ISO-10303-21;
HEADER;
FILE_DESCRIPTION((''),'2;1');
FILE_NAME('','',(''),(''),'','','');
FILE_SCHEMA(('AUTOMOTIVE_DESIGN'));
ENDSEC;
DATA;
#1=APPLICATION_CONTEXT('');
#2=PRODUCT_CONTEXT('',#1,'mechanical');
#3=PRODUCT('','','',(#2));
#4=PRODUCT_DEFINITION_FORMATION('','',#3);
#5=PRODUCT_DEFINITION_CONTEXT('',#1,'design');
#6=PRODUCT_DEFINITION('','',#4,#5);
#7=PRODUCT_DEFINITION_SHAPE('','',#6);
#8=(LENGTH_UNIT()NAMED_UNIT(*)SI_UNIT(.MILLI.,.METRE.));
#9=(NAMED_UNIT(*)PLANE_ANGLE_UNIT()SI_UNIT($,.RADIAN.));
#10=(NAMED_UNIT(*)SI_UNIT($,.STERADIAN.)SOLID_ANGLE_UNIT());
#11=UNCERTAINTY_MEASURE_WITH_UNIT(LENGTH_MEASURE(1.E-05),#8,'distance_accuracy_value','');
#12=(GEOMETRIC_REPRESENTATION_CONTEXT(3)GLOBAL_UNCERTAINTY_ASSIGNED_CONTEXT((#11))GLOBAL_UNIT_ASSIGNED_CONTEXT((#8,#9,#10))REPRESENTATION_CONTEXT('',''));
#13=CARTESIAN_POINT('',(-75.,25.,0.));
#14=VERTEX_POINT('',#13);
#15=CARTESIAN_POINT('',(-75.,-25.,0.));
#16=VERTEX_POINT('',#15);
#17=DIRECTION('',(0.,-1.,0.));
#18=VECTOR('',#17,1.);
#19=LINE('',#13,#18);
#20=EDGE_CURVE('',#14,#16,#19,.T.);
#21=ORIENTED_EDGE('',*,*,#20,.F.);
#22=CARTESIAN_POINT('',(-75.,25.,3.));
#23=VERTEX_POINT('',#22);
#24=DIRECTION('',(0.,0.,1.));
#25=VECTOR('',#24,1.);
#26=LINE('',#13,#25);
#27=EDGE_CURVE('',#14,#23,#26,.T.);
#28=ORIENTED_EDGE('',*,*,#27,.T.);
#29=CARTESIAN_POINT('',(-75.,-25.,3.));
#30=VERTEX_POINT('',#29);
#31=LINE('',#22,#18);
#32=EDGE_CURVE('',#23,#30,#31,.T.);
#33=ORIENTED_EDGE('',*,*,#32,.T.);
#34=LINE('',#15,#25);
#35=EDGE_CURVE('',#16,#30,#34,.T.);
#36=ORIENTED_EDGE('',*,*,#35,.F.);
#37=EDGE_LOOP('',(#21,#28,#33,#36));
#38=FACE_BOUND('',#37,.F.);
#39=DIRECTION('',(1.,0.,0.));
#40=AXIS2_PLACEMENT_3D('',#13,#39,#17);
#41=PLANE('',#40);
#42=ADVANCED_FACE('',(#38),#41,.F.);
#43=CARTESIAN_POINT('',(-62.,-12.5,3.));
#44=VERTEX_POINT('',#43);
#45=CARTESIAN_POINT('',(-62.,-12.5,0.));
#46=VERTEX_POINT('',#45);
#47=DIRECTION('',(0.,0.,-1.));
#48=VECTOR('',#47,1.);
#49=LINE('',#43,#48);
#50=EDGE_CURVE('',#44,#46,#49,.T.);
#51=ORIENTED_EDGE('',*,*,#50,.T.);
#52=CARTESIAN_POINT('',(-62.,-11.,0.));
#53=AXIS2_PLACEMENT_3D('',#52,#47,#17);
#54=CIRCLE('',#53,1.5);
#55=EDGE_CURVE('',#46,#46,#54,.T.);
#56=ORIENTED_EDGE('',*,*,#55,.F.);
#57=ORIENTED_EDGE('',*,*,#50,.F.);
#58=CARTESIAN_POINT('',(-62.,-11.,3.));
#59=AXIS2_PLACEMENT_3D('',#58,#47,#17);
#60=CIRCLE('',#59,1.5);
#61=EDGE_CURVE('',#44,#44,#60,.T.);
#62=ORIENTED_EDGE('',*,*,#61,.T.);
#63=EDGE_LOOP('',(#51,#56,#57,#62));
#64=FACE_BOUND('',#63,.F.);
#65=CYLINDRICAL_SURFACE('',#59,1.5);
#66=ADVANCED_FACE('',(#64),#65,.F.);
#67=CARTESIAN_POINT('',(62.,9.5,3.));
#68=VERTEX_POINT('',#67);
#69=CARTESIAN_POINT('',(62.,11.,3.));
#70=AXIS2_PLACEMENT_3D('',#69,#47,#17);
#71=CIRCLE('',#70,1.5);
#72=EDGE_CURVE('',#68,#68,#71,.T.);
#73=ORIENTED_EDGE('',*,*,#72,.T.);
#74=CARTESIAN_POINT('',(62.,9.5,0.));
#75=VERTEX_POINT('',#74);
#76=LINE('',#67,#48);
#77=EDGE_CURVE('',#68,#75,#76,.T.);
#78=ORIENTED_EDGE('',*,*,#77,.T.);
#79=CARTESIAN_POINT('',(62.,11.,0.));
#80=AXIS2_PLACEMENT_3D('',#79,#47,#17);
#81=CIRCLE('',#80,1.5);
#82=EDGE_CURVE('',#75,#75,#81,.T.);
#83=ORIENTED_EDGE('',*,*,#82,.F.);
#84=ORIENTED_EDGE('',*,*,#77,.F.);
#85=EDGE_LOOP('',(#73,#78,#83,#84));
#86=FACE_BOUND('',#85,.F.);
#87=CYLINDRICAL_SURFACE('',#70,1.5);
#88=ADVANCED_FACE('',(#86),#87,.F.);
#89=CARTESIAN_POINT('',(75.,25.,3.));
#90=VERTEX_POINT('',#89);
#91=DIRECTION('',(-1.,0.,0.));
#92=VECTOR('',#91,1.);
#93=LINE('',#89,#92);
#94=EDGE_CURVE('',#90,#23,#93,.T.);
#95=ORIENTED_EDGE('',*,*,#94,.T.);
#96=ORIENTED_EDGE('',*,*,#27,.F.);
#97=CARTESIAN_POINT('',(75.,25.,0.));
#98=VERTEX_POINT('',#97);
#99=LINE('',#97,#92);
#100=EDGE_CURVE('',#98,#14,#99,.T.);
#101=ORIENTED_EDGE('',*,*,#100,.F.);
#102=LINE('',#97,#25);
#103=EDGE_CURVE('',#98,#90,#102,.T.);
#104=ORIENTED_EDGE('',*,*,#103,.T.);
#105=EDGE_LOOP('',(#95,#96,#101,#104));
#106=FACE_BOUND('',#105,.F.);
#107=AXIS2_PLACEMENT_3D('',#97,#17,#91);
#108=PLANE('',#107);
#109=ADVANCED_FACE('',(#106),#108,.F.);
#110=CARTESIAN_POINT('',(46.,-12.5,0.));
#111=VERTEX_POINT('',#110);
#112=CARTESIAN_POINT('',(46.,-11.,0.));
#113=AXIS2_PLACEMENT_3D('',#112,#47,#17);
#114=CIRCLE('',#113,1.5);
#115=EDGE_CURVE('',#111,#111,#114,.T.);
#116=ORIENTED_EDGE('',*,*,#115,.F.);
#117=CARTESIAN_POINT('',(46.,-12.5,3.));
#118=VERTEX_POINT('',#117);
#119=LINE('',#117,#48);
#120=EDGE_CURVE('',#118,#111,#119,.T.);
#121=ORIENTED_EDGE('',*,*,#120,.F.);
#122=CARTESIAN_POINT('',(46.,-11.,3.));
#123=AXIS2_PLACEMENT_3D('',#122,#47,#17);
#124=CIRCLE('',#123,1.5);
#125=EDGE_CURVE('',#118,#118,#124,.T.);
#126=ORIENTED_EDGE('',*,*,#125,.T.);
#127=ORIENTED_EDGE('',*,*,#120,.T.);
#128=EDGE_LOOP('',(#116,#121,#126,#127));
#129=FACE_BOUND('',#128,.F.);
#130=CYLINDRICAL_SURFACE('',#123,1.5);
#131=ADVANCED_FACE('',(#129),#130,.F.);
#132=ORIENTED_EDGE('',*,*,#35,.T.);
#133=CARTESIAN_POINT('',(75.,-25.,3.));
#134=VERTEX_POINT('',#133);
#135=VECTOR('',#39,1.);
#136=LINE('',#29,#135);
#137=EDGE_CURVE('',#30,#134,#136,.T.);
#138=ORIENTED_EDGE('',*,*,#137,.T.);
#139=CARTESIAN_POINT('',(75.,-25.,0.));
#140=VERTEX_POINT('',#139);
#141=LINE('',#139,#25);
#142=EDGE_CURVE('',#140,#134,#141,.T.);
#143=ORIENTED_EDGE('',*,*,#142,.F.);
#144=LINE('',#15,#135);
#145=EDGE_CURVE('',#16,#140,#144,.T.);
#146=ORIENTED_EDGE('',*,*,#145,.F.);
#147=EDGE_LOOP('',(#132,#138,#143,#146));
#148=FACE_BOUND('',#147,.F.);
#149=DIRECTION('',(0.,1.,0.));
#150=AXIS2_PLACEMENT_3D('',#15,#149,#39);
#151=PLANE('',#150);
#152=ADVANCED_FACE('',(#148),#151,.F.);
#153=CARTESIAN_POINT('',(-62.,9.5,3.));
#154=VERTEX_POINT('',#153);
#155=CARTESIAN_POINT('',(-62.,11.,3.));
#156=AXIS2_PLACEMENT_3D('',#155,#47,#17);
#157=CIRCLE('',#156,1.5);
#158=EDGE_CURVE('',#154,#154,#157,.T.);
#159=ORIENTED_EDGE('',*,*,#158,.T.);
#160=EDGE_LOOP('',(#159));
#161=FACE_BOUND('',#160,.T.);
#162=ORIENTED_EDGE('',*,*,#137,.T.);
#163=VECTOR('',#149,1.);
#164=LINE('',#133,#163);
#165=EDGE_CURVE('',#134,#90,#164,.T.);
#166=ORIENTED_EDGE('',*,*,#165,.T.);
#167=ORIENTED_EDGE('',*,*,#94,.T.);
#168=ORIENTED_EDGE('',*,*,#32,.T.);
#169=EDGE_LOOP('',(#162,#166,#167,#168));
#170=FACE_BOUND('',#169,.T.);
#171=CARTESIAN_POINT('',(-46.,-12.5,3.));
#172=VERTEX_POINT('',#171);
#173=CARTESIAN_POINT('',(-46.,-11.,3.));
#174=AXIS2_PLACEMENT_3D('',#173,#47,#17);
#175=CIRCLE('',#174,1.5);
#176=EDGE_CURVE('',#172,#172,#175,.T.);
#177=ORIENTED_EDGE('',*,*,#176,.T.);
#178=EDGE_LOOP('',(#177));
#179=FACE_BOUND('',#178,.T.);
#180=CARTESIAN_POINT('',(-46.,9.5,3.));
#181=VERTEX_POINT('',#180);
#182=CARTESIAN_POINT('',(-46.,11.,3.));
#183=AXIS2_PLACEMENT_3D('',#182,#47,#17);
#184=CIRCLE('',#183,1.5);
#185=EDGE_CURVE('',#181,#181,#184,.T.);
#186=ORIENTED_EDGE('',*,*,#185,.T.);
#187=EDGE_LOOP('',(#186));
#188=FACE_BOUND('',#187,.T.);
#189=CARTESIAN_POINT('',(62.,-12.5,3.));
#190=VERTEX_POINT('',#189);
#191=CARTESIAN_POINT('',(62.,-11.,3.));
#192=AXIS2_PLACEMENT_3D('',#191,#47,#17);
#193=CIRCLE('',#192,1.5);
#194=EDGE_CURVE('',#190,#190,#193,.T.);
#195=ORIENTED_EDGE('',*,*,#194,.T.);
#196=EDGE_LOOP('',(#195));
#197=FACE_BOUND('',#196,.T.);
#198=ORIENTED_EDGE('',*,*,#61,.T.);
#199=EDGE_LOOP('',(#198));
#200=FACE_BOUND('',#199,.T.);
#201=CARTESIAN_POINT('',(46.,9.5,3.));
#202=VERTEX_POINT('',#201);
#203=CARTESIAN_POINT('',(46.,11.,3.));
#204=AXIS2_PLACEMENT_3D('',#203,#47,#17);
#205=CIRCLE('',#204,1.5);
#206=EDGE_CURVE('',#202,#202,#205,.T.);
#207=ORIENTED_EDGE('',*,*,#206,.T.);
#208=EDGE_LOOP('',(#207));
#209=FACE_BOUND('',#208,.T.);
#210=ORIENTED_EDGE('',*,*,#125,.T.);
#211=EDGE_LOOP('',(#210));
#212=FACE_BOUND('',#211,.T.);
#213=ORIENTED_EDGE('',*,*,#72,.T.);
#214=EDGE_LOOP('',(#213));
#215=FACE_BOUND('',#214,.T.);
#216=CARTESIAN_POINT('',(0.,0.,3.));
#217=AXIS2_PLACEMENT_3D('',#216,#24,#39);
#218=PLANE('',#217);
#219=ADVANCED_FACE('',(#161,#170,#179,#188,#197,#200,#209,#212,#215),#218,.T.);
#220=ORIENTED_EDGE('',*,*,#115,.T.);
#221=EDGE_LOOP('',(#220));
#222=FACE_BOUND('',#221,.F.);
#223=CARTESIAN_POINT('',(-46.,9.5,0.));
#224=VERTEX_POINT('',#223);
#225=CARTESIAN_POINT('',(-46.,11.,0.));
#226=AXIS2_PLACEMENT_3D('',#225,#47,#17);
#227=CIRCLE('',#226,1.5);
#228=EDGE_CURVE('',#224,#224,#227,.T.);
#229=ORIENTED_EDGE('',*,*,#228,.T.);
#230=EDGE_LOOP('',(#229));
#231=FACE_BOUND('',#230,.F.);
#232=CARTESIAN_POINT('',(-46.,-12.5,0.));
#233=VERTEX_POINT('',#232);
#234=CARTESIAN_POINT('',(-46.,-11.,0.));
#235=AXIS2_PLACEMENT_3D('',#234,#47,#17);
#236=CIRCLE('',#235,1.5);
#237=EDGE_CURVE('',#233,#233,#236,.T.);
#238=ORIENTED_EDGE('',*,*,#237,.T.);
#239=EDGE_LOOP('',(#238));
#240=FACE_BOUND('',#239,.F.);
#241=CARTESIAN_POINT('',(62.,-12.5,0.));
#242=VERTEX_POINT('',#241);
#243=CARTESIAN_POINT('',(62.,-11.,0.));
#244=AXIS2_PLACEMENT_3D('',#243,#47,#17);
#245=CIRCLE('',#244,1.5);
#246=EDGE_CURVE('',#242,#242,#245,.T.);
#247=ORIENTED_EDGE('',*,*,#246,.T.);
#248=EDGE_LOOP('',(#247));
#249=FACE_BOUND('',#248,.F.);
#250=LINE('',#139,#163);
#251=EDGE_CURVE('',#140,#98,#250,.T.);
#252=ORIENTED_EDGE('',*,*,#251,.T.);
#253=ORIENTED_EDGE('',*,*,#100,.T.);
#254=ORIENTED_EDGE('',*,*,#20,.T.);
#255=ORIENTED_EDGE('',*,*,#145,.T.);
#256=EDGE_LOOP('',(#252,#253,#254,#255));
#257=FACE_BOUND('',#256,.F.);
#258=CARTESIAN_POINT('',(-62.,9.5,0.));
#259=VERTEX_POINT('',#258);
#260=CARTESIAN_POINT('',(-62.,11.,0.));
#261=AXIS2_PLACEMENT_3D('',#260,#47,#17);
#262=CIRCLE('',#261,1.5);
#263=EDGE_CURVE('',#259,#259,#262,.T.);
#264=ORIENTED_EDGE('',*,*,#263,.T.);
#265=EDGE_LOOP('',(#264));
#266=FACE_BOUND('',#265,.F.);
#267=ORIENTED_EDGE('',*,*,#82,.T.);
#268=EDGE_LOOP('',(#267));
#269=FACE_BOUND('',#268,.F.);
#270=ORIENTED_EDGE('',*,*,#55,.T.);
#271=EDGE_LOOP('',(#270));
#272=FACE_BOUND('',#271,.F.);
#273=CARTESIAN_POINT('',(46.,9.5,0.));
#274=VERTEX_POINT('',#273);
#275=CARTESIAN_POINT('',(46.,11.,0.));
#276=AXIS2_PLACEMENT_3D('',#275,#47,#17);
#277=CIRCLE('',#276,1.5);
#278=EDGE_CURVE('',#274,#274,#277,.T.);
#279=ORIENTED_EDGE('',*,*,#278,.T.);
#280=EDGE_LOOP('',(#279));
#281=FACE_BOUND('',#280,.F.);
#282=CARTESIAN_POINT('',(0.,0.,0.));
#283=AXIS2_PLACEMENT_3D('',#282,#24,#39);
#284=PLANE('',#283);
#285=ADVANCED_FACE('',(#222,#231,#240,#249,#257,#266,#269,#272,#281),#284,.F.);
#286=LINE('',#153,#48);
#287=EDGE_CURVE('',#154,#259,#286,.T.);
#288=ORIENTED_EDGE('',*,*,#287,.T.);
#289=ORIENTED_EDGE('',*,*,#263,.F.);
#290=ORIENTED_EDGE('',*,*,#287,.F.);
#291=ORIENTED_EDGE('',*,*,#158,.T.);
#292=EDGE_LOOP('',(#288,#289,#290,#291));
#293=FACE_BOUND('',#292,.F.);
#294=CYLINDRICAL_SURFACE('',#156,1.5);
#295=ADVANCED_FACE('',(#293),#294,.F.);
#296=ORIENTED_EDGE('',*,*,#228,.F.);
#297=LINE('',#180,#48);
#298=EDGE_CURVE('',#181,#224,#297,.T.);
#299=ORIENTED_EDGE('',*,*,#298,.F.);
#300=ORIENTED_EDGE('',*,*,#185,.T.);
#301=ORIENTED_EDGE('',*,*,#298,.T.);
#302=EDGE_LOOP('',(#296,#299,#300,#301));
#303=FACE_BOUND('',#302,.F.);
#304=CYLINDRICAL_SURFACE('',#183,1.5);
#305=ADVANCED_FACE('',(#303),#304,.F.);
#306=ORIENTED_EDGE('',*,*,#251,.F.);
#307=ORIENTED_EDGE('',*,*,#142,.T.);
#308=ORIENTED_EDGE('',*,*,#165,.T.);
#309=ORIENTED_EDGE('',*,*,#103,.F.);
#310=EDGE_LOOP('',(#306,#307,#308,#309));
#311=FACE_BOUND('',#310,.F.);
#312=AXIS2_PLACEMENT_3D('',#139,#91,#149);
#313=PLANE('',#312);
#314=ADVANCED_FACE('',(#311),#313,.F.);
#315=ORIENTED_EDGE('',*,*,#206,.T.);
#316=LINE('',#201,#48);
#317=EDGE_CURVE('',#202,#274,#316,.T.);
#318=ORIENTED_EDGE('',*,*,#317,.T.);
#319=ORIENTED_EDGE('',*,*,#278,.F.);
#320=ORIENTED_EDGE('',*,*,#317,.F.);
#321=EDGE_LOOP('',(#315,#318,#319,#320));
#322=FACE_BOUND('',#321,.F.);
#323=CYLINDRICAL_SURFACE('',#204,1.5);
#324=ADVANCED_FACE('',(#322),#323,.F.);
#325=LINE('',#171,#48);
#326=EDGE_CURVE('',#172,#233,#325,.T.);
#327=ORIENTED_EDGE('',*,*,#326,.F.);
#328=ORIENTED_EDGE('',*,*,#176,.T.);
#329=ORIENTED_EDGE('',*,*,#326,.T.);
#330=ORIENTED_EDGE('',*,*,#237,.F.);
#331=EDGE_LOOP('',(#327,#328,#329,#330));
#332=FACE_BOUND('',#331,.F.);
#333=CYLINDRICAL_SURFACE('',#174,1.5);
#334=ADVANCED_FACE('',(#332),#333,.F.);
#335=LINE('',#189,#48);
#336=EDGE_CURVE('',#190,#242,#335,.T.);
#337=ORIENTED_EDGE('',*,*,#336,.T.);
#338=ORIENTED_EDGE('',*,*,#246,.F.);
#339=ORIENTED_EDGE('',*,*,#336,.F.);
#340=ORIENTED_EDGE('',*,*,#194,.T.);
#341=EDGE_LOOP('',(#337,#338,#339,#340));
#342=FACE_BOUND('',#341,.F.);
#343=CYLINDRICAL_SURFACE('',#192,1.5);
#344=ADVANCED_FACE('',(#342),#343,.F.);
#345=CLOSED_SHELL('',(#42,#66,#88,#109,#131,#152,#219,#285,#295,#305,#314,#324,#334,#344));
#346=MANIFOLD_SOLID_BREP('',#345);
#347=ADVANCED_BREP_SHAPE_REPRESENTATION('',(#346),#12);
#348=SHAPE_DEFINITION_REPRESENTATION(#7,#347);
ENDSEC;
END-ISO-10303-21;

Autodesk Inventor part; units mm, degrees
ref_plane "YZ Plane" through (0, 0, 0) normal (1, 0, 0) x (0, 1, 0)
ref_plane "XZ Plane" through (0, 0, 0) normal (0, 1, 0) x (-1, 0, 0)
ref_plane "XY Plane" through (0, 0, 0) normal (0, 0, 1) x (1, 0, 0)
sketch "Szkic1" plane through (0, 0, 0) normal (0, 0, 1) x (1, 0, 0)
  line L0 (-75, -25) -> (75, -25)
  line L1 (75, -25) -> (75, 25)
  line L2 (75, 25) -> (-75, 25)
  line L3 (-75, 25) -> (-75, -25)
  line L4 (-75, -25) -> (75, 25) construction
  line L5 (75, -25) -> (-75, 25) construction
  point P0 (0, 0)
  dimension "d0" = 150
  dimension "d1" = 50
extrude "Wyciągnięcie proste1" add sketch "Szkic1" along normal blind 3
sketch "Szkic2" plane through (0, 0, 3) normal (0, 0, 1) x (1, 0, 0)
  line L0 (75, -25) -> (75, 25) projected
  line L1 (75, 25) -> (-75, 25) projected
  line L2 (-75, 25) -> (-75, -25) projected
  line L3 (-75, 0) -> (75, 0) construction
  line L4 (75, 25) -> (-75, 25) projected
  line L5 (0, 25) -> (0, -25) construction
  point P0 (0, 0)
  point P1 (62, 11)
  point P2 (46, 11)
  point P3 (62, -11)
  point P4 (46, -11)
  point P5 (-62, 11)
  point P6 (-46, 11)
  point P7 (-46, -11)
  point P8 (-62, -11)
  dimension "d4" = 13
  dimension "d5" = 16
  dimension "d6" = 14
  dimension "d7" = 14
hole "Otwór1" at (62, 11, 3) at (46, 11, 3) at (46, -11, 3) at (62, -11, 3) at (-46, 11, 3) at (-62, 11, 3) at (-46, -11, 3) at (-62, -11, 3) direction (0, 0, -1) diameter 3 depth 8 tip angle 118
properties part number "Podstawa"
